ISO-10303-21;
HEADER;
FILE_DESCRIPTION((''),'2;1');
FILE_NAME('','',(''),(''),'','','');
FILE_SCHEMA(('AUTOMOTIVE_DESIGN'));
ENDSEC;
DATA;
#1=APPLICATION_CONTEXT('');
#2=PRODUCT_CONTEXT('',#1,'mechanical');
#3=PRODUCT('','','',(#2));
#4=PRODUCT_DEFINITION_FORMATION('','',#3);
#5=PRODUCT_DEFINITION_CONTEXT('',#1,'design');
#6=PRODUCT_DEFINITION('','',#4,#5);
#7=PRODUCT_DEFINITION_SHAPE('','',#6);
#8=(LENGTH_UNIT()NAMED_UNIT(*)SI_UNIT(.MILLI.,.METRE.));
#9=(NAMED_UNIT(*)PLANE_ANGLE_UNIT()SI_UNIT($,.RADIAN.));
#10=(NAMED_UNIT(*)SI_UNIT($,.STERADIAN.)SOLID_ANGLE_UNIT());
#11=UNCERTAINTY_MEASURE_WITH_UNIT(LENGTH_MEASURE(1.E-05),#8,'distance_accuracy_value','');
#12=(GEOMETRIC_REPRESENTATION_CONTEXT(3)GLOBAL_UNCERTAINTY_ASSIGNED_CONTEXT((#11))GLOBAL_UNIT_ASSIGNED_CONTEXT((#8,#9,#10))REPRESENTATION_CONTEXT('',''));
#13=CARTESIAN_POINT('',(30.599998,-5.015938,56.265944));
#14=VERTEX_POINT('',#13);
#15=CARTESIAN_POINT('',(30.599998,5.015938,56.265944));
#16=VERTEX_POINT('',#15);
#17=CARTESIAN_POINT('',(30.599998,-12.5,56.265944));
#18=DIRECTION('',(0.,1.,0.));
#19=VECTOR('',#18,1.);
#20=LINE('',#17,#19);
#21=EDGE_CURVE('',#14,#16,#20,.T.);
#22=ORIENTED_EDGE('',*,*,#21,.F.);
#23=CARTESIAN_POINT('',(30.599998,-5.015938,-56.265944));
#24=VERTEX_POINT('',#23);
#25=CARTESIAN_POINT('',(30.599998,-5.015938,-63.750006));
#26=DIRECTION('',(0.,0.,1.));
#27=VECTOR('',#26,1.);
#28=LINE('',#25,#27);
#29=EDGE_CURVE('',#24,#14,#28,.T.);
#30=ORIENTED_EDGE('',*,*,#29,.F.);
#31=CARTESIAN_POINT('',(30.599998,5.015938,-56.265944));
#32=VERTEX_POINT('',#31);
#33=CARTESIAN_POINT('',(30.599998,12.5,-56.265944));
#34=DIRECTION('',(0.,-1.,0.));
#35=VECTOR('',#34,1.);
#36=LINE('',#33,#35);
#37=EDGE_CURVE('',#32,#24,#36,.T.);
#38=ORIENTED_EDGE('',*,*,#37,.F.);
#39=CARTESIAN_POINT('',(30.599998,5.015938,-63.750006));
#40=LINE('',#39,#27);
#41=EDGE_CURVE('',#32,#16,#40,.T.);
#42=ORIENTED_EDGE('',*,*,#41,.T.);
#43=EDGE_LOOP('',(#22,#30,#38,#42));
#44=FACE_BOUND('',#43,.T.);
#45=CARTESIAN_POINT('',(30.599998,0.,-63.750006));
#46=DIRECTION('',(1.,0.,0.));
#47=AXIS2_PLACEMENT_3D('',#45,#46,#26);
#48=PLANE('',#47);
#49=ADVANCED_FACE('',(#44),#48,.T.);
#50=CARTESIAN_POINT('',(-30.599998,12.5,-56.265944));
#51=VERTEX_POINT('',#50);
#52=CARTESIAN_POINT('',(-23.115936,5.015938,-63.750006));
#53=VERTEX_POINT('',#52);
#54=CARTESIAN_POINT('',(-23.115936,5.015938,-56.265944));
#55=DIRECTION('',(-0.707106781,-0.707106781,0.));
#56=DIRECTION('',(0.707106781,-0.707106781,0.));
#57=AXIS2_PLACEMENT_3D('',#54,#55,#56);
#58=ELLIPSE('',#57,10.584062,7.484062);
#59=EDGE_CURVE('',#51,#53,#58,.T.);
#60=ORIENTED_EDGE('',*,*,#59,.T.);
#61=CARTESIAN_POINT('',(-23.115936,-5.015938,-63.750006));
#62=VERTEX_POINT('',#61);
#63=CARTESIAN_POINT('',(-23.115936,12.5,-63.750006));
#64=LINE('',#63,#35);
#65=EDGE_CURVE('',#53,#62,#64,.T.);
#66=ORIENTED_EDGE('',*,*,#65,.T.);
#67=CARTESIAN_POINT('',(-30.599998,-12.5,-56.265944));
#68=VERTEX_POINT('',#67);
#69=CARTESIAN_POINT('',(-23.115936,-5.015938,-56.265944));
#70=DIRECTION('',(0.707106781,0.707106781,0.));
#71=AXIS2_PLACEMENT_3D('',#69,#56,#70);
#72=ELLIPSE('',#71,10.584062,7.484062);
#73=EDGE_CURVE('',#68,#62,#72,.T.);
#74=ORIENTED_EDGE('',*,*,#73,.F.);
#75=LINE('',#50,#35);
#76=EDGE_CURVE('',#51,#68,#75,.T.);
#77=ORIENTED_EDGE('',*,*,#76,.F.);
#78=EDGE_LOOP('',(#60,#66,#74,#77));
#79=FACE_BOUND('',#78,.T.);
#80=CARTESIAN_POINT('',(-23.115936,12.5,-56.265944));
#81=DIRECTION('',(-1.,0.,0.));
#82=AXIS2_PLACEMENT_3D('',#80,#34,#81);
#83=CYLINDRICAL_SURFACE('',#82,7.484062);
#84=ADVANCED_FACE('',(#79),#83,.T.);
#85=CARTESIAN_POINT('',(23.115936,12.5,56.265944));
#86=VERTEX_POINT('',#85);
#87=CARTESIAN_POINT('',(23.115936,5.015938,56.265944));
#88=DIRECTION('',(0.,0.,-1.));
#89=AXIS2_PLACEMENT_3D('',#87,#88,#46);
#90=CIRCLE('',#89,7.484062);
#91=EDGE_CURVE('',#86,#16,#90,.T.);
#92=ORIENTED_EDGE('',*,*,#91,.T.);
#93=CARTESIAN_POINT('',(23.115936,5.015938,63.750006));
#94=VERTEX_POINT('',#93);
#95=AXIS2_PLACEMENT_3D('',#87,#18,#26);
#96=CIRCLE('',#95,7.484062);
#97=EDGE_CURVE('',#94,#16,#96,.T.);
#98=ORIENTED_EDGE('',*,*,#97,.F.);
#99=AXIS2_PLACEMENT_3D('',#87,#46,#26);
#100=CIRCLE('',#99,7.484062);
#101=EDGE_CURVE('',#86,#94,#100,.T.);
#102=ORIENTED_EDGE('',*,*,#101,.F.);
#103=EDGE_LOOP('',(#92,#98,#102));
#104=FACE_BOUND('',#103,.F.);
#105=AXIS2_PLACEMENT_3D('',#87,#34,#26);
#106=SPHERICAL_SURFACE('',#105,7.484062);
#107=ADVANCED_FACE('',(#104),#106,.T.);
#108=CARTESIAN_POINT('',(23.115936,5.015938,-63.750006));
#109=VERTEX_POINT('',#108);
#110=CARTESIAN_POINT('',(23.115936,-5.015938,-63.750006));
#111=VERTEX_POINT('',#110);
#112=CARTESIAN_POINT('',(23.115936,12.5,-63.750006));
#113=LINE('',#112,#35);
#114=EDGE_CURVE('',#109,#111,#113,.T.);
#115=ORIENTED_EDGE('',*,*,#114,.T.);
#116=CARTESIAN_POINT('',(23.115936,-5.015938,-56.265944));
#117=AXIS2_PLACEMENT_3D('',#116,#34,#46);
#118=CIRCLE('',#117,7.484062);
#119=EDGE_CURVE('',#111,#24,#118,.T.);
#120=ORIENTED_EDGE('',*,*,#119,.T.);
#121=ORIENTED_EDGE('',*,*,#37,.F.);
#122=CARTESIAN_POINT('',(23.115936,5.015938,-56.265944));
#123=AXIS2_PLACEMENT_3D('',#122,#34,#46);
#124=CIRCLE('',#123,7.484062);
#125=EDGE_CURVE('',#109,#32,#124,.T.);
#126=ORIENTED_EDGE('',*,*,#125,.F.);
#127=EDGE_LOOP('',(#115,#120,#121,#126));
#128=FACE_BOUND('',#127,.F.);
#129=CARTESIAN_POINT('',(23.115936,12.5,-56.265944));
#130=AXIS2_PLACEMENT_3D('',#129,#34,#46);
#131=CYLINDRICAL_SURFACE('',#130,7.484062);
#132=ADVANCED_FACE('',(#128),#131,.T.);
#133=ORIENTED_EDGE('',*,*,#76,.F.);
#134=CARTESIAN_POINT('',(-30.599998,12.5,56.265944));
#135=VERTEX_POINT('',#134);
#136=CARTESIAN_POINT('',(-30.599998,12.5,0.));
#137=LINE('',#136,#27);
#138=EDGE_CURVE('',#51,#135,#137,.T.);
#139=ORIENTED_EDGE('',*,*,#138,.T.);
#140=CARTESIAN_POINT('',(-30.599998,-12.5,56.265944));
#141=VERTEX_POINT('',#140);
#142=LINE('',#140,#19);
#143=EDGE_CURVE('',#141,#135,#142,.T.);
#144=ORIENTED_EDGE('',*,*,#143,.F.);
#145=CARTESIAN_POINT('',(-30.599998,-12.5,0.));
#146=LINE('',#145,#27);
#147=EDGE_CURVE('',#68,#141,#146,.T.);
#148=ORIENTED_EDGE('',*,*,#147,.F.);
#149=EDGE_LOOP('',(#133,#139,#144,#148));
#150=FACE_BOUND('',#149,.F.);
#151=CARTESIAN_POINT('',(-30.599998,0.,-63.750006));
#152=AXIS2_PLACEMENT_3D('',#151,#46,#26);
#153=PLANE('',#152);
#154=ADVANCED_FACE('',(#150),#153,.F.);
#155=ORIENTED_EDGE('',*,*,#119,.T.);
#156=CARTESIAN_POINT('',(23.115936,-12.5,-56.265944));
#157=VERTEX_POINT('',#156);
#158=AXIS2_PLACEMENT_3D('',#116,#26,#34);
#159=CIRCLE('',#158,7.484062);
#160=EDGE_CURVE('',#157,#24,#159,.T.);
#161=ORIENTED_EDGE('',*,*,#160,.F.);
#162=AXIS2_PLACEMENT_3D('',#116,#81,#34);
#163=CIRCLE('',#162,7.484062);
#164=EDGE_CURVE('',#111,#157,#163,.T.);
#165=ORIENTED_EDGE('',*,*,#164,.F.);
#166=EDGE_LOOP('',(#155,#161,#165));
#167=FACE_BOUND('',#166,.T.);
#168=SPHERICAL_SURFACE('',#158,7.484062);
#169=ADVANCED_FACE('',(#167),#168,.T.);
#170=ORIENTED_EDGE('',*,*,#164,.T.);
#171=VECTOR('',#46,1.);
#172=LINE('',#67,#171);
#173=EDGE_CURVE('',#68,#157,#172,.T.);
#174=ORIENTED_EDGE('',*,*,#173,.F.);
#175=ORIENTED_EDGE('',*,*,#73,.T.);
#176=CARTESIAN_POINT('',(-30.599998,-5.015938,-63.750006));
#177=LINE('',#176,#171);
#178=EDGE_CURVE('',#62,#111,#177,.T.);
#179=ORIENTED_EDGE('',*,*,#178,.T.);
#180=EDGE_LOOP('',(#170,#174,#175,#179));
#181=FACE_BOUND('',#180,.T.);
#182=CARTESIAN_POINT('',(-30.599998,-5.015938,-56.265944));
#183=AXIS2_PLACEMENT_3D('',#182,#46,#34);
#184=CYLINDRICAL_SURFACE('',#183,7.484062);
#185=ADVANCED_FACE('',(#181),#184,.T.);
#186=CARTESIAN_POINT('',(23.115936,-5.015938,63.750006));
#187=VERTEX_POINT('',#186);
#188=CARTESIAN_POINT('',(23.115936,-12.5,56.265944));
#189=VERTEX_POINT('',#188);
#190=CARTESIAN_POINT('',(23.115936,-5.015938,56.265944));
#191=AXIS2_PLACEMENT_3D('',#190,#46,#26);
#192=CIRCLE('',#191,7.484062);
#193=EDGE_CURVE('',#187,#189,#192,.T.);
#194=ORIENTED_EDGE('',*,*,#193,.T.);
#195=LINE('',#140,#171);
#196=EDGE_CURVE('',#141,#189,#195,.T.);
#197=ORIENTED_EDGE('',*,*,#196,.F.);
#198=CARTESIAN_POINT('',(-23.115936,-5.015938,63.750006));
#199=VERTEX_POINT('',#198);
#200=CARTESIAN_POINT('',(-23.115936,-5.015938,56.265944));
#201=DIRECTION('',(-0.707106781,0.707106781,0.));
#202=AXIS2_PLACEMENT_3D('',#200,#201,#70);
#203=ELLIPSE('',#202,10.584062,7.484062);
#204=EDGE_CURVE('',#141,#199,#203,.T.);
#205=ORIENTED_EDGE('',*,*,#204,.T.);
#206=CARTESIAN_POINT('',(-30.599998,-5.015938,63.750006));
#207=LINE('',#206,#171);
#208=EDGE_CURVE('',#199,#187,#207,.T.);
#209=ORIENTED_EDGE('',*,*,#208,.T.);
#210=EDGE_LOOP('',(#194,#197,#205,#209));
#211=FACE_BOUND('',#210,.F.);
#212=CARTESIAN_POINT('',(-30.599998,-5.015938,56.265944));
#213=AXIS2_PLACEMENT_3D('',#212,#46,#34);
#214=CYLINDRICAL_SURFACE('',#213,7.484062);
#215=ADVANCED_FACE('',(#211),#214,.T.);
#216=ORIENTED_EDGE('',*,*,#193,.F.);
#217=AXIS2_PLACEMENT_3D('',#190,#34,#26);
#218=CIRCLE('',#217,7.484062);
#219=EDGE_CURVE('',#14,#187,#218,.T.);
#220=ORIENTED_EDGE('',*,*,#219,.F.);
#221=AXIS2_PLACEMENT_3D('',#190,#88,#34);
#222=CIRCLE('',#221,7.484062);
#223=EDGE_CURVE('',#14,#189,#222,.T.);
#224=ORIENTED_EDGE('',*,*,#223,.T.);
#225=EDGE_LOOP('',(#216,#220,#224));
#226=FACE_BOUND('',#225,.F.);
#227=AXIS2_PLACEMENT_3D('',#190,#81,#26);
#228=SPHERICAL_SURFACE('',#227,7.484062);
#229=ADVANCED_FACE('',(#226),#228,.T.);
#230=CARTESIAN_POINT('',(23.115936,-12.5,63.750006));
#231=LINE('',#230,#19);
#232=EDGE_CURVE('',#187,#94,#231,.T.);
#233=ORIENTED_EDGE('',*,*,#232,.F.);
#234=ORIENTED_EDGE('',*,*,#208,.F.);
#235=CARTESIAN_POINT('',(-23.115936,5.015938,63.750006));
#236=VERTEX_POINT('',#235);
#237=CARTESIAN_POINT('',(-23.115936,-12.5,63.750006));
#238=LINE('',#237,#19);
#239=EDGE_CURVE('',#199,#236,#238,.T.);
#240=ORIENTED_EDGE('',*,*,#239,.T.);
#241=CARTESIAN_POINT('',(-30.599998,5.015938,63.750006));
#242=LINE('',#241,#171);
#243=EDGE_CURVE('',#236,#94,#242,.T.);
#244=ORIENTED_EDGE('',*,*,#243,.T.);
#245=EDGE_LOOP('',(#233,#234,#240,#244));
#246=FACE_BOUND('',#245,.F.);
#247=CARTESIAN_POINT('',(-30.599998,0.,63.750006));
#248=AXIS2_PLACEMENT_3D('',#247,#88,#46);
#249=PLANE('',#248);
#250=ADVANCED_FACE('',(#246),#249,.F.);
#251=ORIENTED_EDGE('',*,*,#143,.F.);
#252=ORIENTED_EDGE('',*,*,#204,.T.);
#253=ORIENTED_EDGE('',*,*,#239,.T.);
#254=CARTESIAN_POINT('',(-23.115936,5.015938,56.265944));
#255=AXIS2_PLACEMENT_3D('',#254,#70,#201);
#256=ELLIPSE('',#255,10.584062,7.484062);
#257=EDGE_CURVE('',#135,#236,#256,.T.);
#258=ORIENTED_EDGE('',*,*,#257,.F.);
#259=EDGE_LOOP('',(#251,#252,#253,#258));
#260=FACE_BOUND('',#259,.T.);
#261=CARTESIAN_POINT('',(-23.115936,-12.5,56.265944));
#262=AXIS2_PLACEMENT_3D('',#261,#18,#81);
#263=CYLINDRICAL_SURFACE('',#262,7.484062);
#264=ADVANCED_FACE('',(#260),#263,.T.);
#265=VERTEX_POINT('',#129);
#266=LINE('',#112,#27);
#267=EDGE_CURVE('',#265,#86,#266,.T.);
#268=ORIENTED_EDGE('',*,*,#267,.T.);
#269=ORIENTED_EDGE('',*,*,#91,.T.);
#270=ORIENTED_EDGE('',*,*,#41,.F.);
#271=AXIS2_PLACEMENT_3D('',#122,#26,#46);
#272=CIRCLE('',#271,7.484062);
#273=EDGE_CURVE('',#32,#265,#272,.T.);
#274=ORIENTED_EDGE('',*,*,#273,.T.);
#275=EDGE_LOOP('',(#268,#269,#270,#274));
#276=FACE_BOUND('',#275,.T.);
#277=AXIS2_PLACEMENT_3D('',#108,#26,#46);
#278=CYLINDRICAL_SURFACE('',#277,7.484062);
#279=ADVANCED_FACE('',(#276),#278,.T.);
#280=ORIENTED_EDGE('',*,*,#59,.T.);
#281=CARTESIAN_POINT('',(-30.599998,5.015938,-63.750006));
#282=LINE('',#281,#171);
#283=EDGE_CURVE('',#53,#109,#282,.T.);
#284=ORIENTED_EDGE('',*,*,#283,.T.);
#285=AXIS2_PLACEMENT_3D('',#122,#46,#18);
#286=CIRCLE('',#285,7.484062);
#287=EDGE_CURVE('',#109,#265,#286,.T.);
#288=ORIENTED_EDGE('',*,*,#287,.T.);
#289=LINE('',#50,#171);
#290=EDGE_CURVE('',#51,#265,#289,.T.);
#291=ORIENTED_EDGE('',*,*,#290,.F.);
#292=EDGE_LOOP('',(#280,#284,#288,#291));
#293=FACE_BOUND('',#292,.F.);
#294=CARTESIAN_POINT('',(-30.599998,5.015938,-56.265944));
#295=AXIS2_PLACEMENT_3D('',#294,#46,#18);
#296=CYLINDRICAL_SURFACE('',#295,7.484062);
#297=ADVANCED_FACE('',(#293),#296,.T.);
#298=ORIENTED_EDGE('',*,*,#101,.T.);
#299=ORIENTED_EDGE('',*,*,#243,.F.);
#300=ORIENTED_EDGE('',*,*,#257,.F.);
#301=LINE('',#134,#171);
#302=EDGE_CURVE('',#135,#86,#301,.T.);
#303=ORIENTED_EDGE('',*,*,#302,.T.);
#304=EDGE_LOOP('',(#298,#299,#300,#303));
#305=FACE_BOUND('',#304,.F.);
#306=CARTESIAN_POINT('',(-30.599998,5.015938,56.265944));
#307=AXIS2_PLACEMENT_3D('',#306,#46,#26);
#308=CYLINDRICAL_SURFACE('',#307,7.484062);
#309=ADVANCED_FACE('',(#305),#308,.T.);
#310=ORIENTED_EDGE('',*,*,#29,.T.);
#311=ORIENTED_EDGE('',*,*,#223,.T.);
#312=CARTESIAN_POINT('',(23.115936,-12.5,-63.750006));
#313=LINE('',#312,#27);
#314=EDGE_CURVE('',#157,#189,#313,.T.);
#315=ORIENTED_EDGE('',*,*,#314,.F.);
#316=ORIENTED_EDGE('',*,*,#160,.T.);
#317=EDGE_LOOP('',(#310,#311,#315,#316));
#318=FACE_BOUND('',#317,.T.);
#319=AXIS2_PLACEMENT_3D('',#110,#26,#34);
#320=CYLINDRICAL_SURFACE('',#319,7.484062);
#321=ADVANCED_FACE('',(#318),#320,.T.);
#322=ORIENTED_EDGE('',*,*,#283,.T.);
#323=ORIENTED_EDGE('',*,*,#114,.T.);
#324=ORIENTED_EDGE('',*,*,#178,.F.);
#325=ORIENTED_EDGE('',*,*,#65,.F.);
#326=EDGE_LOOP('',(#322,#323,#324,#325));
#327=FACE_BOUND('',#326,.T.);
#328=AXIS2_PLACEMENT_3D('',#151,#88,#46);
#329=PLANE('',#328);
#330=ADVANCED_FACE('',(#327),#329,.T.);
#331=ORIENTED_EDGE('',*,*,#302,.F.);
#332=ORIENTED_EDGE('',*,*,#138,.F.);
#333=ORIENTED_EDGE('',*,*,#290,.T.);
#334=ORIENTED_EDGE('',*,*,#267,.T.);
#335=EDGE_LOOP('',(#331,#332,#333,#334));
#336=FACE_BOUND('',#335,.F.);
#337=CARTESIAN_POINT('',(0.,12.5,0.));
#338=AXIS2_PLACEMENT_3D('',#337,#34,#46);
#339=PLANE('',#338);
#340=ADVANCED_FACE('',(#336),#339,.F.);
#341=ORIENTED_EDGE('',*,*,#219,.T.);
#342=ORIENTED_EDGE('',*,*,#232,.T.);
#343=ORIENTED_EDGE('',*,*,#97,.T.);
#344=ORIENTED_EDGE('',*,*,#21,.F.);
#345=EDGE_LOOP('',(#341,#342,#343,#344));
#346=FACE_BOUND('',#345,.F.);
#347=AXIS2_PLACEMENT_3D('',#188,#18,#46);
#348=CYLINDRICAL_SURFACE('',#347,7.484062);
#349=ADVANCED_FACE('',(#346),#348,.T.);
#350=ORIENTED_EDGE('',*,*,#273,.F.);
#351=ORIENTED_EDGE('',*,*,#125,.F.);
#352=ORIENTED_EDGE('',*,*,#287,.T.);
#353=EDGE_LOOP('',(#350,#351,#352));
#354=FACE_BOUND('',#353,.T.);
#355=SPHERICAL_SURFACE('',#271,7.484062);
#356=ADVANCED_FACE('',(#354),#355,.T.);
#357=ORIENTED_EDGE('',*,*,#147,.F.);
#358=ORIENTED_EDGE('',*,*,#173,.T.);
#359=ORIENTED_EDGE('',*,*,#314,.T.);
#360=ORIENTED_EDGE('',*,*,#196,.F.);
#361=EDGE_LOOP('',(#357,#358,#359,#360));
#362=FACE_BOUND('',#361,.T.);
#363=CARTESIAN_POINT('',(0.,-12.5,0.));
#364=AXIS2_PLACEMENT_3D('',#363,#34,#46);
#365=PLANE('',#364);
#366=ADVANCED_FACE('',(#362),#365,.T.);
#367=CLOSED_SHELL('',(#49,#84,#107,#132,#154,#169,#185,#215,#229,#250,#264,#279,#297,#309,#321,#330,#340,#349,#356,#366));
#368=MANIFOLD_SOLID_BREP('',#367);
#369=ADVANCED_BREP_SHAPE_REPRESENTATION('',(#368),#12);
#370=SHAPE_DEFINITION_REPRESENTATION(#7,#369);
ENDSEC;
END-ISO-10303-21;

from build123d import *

# Parameters (mm, degrees)
F0_W     = 61.199996
F0_H     = 127.500012
F1_DEPTH = 12.5
F2_R     = 7.484062


with BuildPart() as f1:
    # F0 (on Front) → F1 (new body, symmetric)
    with BuildSketch(Plane.XZ):
        Rectangle(F0_W, F0_H)
    extrude(amount=F1_DEPTH, both=True)

    # F2
    f2_edges = [f1.edges().sort_by_distance(p)[0] for p in [
        (-30.599998, 0, 63.750006),
        (0, -12.5, 63.750006),
        (30.599998, 0, 63.750006),
        (0, 12.5, 63.750006),
        (30.599998, -12.5, 0),
        (30.599998, 12.5, 0),
        (0, -12.5, -63.750006),
        (30.599998, 0, -63.750006),
        (0, 12.5, -63.750006),
        (-30.599998, 0, -63.750006),
    ]]
    fillet(f2_edges, radius=F2_R)


solid = f1.part
